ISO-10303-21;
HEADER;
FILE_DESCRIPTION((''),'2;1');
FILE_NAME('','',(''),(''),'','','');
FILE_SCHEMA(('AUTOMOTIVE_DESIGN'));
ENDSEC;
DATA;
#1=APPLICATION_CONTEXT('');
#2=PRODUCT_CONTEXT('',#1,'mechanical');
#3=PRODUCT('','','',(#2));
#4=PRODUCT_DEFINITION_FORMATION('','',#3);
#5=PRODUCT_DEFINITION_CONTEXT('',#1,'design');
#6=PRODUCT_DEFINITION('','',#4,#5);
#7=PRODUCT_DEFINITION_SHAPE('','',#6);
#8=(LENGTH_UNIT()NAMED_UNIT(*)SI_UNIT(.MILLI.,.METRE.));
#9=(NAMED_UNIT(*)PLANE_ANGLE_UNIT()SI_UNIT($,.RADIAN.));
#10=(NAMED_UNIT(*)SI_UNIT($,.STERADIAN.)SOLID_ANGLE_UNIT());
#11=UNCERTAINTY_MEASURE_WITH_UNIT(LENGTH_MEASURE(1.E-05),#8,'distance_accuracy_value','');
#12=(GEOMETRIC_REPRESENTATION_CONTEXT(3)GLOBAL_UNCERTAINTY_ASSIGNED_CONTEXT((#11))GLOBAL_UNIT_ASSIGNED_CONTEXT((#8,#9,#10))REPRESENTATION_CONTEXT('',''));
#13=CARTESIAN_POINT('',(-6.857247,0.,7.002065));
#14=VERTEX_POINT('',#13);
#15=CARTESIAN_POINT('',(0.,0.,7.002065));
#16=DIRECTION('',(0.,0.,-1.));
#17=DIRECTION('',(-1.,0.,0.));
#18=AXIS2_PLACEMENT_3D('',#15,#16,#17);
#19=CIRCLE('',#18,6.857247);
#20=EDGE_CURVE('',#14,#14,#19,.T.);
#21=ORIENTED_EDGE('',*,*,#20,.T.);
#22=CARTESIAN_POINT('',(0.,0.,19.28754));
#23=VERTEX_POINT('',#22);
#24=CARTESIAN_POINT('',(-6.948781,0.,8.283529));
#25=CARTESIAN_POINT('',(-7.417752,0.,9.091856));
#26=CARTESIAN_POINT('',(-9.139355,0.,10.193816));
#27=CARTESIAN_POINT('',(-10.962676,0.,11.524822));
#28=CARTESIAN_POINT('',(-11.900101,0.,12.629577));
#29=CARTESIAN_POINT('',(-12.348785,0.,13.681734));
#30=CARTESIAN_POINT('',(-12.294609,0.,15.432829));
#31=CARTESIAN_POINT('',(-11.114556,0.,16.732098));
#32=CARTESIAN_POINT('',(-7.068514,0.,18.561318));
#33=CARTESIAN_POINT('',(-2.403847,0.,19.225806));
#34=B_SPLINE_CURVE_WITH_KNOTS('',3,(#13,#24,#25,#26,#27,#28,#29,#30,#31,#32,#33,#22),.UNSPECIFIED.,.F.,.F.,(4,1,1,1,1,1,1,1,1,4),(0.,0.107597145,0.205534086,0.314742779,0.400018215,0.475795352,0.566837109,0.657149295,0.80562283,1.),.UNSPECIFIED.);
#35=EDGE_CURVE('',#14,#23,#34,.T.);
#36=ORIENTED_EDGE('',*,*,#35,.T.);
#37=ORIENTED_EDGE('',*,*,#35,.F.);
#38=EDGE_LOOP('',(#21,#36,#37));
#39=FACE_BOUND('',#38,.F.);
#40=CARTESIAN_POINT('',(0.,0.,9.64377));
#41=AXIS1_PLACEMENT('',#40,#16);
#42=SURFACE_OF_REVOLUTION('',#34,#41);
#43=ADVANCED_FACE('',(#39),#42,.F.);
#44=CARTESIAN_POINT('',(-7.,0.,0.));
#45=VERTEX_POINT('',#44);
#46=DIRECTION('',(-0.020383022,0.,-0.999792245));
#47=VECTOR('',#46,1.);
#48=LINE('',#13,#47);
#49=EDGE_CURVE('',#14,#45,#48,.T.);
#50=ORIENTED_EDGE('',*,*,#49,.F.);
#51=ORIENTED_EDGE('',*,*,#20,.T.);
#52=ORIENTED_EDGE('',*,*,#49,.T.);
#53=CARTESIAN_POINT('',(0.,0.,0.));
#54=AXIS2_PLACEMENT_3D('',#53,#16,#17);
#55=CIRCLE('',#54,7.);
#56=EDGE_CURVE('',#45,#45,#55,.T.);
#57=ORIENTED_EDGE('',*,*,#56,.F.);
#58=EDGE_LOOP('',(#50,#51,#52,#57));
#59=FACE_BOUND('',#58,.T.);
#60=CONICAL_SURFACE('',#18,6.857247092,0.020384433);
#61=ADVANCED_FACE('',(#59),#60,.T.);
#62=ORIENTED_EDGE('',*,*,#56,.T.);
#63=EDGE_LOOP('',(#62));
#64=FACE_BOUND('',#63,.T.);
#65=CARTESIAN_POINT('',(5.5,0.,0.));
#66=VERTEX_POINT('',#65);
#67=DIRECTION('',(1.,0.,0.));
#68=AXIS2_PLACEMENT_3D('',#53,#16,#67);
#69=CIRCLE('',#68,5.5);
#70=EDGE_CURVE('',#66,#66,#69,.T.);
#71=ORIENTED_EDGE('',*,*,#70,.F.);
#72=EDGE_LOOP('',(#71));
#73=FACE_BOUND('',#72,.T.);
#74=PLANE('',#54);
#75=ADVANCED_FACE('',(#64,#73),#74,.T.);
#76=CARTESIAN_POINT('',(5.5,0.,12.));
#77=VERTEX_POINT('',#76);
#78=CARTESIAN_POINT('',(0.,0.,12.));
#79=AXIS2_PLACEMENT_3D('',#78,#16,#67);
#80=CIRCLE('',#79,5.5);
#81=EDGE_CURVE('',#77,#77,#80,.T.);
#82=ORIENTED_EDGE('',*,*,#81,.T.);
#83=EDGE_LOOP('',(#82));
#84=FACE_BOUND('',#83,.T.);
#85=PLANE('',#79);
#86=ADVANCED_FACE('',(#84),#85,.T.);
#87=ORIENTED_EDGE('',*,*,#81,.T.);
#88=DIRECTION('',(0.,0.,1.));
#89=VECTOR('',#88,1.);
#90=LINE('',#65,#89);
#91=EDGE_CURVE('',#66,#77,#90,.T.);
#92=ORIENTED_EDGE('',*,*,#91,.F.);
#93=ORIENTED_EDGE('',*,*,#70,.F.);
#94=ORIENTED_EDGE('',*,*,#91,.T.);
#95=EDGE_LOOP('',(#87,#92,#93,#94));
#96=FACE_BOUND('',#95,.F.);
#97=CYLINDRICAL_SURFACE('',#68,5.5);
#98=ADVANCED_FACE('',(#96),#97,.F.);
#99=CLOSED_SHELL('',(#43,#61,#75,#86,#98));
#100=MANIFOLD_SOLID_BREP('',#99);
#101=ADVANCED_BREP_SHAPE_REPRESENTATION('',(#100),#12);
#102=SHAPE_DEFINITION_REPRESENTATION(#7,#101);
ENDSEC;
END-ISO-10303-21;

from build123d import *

# Parameters (mm, degrees)
F2_R     = 5.5
F3_DEPTH = 12


with BuildPart() as f1:
    # F0 (on Front) → F1 (revolve)
    with BuildSketch(Plane.XZ):
        with BuildLine():
            Line((-7, 0), (0, 0))
            Line((0, 0), (0, 19.287539646))
            add(Edge.make_bspline(
                [(-6.8572470918, 7.0020654239), (-6.9487805053, 8.2835290181), (-7.4177522699, 9.0918564353), (-9.1393550558, 10.1938156399), (-10.9626762983, 11.5248221331), (-11.9001010557, 12.6295771001), (-12.3487854819, 13.6817339635), (-12.29460884, 15.432828991), (-11.114555978, 16.7320980646), (-7.0685137413, 18.5613180355), (-2.4038472901, 19.2258058575), (0, 19.287539646)],
                knots=[0, 0, 0, 0, 0.1075971447, 0.2055340858, 0.3147427787, 0.4000182147, 0.4757953522, 0.5668371086, 0.6571492953, 0.8056228298, 1, 1, 1, 1], degree=3))
            Line((-6.8572470918, 7.0020654239), (-7, 0))
        make_face()
    revolve(axis=Axis((0, 0, 9.643769823), (0, 0, -1)))

    # F2 (on face) → F3 (cut)
    with BuildSketch(Plane(origin=(0, 0, 0), x_dir=(1, 0, 0), z_dir=(0, 0, -1))):
        Circle(F2_R)
    extrude(amount=-F3_DEPTH, mode=Mode.SUBTRACT)


solid = f1.part
